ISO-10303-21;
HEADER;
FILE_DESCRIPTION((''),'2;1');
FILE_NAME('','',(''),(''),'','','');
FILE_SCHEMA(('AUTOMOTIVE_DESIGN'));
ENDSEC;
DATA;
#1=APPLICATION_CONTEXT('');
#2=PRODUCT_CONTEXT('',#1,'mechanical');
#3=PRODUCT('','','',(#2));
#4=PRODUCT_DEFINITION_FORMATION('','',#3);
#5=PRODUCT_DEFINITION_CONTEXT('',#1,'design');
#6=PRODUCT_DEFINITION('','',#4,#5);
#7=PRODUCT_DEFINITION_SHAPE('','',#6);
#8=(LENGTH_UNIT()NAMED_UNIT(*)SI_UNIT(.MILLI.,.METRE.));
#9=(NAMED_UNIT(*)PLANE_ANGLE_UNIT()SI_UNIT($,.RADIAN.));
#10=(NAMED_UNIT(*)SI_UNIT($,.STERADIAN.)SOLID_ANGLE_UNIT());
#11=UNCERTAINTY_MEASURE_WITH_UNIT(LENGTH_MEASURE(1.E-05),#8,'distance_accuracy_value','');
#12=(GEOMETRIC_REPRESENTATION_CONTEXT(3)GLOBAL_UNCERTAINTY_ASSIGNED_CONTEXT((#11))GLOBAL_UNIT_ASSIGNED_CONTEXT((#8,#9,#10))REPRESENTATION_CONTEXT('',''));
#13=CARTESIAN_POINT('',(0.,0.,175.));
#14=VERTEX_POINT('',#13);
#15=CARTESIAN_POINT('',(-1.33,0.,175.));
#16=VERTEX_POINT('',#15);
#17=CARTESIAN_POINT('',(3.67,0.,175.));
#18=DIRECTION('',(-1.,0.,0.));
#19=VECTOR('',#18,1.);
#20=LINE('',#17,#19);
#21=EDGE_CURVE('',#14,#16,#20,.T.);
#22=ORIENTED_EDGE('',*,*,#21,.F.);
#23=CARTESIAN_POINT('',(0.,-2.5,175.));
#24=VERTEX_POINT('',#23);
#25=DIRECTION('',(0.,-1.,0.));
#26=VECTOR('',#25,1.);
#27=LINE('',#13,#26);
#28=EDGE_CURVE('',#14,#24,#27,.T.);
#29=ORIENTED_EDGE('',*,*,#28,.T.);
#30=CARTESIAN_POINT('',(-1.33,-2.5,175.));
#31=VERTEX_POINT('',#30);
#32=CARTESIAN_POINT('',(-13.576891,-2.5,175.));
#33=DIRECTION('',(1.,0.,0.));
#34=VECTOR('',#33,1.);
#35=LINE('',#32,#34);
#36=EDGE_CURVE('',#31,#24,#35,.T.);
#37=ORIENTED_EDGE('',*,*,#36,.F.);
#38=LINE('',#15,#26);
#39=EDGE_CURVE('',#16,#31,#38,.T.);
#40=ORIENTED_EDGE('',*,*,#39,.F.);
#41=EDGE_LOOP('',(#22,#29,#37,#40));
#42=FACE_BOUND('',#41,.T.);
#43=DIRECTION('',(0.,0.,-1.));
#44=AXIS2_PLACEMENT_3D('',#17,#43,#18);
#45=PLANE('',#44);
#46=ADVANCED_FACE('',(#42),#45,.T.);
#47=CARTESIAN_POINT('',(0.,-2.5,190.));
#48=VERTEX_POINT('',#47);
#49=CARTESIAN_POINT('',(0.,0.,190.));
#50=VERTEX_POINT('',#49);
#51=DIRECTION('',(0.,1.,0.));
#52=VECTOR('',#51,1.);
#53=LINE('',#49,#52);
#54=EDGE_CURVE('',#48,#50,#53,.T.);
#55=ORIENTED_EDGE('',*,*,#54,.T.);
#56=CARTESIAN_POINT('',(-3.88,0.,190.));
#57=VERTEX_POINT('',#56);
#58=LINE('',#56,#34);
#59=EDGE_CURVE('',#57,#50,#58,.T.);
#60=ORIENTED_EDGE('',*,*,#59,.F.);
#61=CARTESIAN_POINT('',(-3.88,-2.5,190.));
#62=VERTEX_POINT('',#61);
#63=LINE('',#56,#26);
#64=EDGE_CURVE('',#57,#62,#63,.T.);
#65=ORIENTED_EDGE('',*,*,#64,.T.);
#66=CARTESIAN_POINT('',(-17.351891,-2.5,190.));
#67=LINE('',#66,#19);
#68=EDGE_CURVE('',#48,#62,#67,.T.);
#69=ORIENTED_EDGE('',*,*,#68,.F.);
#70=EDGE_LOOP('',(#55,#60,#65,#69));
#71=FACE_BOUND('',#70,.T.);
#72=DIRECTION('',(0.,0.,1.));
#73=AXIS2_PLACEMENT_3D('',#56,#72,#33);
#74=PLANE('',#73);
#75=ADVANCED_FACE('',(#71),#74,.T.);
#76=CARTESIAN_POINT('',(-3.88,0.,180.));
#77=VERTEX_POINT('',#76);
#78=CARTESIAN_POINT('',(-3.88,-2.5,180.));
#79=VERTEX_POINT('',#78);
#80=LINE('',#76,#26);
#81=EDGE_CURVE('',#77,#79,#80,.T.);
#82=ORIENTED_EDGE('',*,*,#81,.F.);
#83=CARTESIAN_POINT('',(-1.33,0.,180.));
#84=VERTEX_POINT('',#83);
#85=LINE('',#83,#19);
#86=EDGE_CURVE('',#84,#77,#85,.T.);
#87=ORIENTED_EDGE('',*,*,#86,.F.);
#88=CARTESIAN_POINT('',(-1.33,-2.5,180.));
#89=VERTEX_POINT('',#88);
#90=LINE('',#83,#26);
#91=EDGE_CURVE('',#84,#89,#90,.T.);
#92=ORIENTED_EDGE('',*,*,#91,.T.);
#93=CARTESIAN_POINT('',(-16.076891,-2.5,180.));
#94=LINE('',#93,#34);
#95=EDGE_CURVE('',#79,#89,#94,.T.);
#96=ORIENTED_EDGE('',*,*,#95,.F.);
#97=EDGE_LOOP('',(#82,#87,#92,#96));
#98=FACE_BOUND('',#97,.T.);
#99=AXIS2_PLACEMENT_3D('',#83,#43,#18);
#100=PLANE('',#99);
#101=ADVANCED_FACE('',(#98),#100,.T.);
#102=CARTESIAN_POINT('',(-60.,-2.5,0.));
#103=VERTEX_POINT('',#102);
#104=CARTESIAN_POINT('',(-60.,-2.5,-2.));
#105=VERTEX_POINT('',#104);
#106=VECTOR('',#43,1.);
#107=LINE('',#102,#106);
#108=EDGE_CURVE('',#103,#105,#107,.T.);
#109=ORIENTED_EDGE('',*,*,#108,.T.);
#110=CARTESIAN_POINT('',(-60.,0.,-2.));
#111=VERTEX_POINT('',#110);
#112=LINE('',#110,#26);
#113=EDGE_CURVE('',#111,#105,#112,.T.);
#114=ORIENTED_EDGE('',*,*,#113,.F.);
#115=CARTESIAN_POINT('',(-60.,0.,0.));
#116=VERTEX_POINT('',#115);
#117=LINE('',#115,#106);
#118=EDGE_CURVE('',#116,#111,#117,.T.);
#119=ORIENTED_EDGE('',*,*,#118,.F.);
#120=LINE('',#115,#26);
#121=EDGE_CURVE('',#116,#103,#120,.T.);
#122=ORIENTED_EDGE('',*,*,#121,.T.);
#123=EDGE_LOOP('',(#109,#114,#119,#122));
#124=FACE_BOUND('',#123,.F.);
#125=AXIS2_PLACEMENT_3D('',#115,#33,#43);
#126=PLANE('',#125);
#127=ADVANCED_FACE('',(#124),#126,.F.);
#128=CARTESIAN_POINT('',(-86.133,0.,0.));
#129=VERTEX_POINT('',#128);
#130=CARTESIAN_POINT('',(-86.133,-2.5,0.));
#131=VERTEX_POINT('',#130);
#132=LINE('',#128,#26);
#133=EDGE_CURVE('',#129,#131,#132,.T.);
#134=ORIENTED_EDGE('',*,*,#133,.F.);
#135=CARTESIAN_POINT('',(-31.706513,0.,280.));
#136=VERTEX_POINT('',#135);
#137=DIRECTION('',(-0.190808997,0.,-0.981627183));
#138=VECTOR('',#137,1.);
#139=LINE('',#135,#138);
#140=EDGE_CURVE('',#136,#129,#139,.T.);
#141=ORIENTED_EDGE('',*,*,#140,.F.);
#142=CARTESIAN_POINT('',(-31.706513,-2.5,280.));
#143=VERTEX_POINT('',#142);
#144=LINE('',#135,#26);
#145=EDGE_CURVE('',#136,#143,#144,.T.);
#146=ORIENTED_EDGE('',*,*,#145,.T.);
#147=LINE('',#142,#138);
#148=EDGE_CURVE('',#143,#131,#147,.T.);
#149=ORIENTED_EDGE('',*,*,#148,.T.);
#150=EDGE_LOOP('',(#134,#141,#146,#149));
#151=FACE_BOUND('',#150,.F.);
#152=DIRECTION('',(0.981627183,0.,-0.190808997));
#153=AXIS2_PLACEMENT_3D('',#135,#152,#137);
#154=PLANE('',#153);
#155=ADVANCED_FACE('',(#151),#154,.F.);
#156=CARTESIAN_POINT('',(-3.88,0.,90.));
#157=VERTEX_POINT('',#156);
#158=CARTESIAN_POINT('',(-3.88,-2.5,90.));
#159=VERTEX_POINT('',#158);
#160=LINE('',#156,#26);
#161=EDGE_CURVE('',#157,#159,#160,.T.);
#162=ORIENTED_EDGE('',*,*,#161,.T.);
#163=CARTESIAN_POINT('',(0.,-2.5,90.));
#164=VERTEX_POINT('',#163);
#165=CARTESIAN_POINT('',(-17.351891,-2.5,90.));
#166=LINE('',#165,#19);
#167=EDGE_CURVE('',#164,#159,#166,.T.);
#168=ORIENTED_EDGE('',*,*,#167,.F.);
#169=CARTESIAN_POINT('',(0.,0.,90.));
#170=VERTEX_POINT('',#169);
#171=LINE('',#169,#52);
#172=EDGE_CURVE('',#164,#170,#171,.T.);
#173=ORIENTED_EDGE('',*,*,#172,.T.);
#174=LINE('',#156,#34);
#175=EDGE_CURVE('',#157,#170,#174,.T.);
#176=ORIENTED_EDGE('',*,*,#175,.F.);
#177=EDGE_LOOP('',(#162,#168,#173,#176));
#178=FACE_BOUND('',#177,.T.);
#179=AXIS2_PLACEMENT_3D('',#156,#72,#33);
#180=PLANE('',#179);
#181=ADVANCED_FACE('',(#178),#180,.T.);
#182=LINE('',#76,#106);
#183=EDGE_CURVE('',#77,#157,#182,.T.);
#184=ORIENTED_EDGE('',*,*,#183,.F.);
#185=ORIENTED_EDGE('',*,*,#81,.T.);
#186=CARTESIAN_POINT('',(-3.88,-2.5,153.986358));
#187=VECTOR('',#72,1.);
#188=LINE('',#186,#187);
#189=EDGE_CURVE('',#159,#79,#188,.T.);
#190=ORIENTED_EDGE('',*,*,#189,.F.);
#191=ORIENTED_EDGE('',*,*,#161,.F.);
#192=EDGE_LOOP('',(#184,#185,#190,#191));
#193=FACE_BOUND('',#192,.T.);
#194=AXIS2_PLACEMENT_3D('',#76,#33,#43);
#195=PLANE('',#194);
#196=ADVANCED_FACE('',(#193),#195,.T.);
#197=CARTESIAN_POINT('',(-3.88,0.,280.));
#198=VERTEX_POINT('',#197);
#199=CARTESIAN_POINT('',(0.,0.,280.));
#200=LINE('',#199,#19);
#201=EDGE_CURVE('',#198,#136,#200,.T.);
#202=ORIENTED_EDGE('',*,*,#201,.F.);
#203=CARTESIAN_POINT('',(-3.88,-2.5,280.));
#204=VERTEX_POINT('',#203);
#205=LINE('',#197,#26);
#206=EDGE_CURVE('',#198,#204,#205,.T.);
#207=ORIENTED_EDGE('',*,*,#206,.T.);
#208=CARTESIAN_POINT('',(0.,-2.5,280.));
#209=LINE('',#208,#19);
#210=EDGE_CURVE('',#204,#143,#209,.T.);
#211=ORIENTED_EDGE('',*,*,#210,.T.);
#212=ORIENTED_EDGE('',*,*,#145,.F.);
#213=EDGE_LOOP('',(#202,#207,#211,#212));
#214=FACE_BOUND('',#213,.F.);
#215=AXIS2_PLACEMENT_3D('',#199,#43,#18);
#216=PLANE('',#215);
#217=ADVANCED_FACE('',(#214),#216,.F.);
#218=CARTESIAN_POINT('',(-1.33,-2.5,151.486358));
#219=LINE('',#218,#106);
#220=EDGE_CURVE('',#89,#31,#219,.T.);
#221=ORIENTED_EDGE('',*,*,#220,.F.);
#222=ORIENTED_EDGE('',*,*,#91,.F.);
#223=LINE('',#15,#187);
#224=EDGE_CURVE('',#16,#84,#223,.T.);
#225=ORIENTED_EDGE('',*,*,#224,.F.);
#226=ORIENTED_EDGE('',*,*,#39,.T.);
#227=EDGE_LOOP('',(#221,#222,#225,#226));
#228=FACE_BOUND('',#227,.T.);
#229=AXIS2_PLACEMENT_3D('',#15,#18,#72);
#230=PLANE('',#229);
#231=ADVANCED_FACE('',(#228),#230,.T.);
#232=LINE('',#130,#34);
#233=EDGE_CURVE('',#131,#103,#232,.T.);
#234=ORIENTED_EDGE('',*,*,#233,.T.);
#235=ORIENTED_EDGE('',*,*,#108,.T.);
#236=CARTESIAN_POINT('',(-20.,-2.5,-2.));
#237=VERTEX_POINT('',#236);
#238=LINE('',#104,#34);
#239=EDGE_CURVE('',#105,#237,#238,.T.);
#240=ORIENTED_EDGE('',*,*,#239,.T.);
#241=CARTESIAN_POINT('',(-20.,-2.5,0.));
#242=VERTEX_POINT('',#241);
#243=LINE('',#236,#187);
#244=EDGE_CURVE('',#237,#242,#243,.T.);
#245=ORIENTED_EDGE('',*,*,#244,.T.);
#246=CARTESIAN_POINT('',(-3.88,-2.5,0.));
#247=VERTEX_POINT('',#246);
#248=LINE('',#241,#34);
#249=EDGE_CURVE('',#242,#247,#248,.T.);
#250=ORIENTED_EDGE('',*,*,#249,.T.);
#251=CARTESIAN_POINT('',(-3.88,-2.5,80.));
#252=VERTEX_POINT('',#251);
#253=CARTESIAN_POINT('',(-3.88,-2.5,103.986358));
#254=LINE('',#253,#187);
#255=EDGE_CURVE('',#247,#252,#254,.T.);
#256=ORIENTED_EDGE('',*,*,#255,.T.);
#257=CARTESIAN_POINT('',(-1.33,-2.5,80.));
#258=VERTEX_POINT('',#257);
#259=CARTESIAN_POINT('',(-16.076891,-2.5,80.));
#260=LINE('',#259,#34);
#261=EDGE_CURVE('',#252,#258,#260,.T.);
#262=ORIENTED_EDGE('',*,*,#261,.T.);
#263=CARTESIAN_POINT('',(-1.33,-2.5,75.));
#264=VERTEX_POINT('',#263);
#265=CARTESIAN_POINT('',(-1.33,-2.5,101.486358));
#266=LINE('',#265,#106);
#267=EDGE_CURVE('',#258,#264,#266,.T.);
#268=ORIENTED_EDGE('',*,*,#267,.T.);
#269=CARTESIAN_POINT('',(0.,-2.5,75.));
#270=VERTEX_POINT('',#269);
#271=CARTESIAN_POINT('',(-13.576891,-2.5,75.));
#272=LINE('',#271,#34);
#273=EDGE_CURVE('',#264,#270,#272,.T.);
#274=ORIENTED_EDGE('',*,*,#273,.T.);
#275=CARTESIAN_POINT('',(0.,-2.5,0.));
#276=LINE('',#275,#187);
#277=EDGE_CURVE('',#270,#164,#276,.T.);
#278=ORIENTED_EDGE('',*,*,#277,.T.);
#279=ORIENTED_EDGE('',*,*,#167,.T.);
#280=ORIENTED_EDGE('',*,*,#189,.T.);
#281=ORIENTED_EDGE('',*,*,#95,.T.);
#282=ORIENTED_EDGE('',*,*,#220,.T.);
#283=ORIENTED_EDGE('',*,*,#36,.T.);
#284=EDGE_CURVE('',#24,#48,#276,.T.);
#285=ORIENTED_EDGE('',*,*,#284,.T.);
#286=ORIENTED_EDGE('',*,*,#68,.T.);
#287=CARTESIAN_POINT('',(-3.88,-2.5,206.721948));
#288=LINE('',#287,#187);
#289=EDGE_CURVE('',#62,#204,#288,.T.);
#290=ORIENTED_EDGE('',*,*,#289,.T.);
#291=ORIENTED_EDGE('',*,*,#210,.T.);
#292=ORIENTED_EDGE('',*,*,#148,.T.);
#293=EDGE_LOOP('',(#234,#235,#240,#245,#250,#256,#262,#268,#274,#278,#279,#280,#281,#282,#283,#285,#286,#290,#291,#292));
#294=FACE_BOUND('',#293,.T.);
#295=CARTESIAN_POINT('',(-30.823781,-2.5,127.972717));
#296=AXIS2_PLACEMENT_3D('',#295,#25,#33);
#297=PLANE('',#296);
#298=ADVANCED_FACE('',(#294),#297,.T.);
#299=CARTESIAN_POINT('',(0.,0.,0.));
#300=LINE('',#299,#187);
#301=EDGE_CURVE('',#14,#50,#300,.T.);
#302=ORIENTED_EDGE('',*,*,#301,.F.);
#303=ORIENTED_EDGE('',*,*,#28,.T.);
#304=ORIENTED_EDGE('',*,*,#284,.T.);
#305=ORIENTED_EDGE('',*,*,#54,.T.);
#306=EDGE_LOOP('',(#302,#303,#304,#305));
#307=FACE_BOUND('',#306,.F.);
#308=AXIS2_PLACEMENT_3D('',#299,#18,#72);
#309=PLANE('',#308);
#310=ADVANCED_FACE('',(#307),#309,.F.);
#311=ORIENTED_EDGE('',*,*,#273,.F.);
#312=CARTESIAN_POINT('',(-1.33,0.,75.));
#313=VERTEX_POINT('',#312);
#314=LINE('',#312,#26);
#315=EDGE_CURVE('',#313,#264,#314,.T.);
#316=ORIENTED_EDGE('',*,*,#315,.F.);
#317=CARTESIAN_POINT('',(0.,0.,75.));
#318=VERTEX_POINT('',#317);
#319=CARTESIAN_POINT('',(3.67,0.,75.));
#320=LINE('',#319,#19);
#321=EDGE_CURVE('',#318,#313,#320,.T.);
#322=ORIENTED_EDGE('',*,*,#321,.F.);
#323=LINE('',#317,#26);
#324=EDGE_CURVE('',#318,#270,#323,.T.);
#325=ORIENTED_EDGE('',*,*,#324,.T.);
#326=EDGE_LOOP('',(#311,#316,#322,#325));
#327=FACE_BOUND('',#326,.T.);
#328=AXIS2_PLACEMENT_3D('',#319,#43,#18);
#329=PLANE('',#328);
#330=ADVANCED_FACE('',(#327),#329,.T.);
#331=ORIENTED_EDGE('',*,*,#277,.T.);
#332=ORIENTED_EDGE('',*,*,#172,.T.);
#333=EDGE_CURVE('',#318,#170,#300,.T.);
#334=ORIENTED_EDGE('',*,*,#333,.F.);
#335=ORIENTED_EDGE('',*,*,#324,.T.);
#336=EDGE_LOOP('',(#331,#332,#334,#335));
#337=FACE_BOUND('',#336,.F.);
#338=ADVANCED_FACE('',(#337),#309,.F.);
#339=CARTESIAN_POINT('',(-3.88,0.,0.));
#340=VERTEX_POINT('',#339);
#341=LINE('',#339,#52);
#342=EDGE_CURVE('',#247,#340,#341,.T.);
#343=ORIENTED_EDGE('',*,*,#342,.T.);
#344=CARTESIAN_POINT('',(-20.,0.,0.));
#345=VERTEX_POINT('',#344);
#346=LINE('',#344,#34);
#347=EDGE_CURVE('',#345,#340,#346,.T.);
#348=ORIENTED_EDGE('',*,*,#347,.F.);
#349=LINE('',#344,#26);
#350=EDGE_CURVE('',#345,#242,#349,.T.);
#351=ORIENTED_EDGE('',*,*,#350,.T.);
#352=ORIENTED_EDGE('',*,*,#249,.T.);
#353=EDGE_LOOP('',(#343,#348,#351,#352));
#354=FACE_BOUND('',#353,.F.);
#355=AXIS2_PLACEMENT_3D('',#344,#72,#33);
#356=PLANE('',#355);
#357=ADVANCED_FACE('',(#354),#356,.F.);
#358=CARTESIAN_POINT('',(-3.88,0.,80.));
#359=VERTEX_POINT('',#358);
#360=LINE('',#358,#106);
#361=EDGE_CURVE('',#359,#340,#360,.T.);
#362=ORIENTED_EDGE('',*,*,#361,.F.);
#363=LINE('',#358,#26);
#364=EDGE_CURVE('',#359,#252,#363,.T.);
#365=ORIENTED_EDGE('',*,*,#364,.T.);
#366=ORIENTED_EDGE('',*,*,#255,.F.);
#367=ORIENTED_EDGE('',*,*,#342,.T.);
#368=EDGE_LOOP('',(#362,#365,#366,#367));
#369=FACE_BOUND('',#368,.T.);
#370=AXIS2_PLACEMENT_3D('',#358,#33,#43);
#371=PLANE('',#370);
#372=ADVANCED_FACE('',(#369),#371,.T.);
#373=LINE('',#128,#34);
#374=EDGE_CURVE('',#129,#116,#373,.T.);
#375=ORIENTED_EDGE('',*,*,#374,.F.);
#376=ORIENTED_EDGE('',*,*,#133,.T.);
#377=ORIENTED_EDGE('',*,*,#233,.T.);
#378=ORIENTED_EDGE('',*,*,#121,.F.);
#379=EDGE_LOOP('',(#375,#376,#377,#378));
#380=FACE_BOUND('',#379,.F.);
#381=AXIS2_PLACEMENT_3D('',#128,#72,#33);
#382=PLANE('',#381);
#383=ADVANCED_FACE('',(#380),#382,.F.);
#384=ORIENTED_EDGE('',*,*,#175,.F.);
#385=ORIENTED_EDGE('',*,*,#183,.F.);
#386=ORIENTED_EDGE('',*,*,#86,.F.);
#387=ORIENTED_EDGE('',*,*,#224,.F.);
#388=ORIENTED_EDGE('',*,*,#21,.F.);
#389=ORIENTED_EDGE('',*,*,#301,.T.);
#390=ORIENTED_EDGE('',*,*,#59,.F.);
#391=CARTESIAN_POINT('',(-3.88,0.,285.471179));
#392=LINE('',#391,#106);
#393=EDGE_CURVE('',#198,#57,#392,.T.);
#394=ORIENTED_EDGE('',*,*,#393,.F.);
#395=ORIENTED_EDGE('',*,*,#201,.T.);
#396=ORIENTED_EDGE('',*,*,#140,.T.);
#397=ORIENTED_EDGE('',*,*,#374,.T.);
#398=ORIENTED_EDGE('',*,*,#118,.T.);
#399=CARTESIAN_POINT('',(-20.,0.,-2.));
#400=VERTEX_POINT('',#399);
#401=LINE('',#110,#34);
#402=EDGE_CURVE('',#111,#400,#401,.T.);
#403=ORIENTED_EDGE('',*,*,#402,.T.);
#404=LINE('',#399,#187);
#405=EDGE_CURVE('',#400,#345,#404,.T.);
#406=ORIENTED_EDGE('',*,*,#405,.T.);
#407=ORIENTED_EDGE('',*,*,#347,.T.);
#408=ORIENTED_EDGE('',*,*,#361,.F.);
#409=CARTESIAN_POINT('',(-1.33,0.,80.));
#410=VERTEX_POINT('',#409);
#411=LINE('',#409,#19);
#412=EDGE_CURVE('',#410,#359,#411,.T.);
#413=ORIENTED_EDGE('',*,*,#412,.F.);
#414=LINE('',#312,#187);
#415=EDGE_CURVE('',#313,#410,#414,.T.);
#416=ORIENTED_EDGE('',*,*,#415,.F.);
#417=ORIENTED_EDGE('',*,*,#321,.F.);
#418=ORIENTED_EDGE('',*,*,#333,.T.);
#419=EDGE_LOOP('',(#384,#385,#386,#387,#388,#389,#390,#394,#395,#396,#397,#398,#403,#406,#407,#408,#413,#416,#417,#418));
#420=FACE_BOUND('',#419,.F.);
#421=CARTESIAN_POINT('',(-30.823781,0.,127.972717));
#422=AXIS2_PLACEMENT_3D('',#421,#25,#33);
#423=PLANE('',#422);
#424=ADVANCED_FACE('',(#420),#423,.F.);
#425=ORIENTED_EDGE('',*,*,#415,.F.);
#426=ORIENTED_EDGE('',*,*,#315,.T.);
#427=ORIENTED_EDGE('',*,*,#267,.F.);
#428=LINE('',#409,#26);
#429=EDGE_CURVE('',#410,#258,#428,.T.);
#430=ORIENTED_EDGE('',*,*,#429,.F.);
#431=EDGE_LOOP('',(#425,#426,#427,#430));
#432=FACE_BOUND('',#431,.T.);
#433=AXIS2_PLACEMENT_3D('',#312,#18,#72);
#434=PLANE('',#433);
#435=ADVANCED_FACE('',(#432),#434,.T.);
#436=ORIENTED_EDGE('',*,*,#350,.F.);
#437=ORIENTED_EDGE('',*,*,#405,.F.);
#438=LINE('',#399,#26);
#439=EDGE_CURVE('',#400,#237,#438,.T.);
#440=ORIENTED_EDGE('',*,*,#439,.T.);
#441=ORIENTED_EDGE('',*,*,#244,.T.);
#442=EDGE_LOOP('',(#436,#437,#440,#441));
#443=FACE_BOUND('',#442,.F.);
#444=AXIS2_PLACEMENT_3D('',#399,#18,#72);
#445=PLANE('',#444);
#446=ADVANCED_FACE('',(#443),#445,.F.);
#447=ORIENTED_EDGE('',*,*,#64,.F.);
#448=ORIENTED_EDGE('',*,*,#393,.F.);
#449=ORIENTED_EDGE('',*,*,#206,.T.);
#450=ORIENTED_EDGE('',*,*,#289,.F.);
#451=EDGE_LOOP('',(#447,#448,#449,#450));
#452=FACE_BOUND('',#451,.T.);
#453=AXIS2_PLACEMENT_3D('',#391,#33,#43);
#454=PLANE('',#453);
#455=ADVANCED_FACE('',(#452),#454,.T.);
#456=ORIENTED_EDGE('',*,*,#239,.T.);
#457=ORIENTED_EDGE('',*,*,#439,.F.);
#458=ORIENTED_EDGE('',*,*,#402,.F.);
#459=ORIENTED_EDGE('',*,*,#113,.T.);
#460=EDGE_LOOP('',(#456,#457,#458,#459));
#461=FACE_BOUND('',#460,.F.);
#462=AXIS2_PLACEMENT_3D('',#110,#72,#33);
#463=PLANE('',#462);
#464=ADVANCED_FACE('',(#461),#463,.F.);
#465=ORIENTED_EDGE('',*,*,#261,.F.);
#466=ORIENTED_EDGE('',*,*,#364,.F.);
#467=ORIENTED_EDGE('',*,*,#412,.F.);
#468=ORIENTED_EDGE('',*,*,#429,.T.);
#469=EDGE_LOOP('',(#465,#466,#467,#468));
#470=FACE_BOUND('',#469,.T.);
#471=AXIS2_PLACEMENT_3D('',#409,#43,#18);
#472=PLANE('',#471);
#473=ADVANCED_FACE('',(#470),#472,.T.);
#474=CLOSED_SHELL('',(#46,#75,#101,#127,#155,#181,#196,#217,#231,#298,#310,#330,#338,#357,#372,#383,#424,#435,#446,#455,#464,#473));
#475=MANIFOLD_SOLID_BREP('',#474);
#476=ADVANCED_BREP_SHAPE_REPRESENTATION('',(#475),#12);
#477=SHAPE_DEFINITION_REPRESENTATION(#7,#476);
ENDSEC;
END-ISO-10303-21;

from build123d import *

# Parameters (mm, degrees)
F1_DEPTH = 2.5
F3_DEPTH = 25


with BuildPart() as f1:
    # F0 (on Front) → F1 (new body)
    with BuildSketch(Plane.XZ):
        Polygon((-31.706513, 280), (-86.133, 0), (-60, 0), (-60, -2), (-20, -2), (-20, 0), (0, 0), (0, 280), align=None)
    extrude(amount=F1_DEPTH)

    # F2 (on Front) → F3 (cut)
    with BuildSketch(Plane.XZ):
        Polygon((25.523714, -10), (25.523714, 285.471179), (-3.88, 285.471179), (-3.88, 190), (3.67, 190), (3.67, 175), (-1.33, 175), (-1.33, 180), (-3.88, 180), (-3.88, 90), (3.67, 90), (3.67, 75), (-1.33, 75), (-1.33, 80), (-3.88, 80), (-3.88, -10), align=None)
    extrude(amount=F3_DEPTH, mode=Mode.SUBTRACT)


solid = f1.part
